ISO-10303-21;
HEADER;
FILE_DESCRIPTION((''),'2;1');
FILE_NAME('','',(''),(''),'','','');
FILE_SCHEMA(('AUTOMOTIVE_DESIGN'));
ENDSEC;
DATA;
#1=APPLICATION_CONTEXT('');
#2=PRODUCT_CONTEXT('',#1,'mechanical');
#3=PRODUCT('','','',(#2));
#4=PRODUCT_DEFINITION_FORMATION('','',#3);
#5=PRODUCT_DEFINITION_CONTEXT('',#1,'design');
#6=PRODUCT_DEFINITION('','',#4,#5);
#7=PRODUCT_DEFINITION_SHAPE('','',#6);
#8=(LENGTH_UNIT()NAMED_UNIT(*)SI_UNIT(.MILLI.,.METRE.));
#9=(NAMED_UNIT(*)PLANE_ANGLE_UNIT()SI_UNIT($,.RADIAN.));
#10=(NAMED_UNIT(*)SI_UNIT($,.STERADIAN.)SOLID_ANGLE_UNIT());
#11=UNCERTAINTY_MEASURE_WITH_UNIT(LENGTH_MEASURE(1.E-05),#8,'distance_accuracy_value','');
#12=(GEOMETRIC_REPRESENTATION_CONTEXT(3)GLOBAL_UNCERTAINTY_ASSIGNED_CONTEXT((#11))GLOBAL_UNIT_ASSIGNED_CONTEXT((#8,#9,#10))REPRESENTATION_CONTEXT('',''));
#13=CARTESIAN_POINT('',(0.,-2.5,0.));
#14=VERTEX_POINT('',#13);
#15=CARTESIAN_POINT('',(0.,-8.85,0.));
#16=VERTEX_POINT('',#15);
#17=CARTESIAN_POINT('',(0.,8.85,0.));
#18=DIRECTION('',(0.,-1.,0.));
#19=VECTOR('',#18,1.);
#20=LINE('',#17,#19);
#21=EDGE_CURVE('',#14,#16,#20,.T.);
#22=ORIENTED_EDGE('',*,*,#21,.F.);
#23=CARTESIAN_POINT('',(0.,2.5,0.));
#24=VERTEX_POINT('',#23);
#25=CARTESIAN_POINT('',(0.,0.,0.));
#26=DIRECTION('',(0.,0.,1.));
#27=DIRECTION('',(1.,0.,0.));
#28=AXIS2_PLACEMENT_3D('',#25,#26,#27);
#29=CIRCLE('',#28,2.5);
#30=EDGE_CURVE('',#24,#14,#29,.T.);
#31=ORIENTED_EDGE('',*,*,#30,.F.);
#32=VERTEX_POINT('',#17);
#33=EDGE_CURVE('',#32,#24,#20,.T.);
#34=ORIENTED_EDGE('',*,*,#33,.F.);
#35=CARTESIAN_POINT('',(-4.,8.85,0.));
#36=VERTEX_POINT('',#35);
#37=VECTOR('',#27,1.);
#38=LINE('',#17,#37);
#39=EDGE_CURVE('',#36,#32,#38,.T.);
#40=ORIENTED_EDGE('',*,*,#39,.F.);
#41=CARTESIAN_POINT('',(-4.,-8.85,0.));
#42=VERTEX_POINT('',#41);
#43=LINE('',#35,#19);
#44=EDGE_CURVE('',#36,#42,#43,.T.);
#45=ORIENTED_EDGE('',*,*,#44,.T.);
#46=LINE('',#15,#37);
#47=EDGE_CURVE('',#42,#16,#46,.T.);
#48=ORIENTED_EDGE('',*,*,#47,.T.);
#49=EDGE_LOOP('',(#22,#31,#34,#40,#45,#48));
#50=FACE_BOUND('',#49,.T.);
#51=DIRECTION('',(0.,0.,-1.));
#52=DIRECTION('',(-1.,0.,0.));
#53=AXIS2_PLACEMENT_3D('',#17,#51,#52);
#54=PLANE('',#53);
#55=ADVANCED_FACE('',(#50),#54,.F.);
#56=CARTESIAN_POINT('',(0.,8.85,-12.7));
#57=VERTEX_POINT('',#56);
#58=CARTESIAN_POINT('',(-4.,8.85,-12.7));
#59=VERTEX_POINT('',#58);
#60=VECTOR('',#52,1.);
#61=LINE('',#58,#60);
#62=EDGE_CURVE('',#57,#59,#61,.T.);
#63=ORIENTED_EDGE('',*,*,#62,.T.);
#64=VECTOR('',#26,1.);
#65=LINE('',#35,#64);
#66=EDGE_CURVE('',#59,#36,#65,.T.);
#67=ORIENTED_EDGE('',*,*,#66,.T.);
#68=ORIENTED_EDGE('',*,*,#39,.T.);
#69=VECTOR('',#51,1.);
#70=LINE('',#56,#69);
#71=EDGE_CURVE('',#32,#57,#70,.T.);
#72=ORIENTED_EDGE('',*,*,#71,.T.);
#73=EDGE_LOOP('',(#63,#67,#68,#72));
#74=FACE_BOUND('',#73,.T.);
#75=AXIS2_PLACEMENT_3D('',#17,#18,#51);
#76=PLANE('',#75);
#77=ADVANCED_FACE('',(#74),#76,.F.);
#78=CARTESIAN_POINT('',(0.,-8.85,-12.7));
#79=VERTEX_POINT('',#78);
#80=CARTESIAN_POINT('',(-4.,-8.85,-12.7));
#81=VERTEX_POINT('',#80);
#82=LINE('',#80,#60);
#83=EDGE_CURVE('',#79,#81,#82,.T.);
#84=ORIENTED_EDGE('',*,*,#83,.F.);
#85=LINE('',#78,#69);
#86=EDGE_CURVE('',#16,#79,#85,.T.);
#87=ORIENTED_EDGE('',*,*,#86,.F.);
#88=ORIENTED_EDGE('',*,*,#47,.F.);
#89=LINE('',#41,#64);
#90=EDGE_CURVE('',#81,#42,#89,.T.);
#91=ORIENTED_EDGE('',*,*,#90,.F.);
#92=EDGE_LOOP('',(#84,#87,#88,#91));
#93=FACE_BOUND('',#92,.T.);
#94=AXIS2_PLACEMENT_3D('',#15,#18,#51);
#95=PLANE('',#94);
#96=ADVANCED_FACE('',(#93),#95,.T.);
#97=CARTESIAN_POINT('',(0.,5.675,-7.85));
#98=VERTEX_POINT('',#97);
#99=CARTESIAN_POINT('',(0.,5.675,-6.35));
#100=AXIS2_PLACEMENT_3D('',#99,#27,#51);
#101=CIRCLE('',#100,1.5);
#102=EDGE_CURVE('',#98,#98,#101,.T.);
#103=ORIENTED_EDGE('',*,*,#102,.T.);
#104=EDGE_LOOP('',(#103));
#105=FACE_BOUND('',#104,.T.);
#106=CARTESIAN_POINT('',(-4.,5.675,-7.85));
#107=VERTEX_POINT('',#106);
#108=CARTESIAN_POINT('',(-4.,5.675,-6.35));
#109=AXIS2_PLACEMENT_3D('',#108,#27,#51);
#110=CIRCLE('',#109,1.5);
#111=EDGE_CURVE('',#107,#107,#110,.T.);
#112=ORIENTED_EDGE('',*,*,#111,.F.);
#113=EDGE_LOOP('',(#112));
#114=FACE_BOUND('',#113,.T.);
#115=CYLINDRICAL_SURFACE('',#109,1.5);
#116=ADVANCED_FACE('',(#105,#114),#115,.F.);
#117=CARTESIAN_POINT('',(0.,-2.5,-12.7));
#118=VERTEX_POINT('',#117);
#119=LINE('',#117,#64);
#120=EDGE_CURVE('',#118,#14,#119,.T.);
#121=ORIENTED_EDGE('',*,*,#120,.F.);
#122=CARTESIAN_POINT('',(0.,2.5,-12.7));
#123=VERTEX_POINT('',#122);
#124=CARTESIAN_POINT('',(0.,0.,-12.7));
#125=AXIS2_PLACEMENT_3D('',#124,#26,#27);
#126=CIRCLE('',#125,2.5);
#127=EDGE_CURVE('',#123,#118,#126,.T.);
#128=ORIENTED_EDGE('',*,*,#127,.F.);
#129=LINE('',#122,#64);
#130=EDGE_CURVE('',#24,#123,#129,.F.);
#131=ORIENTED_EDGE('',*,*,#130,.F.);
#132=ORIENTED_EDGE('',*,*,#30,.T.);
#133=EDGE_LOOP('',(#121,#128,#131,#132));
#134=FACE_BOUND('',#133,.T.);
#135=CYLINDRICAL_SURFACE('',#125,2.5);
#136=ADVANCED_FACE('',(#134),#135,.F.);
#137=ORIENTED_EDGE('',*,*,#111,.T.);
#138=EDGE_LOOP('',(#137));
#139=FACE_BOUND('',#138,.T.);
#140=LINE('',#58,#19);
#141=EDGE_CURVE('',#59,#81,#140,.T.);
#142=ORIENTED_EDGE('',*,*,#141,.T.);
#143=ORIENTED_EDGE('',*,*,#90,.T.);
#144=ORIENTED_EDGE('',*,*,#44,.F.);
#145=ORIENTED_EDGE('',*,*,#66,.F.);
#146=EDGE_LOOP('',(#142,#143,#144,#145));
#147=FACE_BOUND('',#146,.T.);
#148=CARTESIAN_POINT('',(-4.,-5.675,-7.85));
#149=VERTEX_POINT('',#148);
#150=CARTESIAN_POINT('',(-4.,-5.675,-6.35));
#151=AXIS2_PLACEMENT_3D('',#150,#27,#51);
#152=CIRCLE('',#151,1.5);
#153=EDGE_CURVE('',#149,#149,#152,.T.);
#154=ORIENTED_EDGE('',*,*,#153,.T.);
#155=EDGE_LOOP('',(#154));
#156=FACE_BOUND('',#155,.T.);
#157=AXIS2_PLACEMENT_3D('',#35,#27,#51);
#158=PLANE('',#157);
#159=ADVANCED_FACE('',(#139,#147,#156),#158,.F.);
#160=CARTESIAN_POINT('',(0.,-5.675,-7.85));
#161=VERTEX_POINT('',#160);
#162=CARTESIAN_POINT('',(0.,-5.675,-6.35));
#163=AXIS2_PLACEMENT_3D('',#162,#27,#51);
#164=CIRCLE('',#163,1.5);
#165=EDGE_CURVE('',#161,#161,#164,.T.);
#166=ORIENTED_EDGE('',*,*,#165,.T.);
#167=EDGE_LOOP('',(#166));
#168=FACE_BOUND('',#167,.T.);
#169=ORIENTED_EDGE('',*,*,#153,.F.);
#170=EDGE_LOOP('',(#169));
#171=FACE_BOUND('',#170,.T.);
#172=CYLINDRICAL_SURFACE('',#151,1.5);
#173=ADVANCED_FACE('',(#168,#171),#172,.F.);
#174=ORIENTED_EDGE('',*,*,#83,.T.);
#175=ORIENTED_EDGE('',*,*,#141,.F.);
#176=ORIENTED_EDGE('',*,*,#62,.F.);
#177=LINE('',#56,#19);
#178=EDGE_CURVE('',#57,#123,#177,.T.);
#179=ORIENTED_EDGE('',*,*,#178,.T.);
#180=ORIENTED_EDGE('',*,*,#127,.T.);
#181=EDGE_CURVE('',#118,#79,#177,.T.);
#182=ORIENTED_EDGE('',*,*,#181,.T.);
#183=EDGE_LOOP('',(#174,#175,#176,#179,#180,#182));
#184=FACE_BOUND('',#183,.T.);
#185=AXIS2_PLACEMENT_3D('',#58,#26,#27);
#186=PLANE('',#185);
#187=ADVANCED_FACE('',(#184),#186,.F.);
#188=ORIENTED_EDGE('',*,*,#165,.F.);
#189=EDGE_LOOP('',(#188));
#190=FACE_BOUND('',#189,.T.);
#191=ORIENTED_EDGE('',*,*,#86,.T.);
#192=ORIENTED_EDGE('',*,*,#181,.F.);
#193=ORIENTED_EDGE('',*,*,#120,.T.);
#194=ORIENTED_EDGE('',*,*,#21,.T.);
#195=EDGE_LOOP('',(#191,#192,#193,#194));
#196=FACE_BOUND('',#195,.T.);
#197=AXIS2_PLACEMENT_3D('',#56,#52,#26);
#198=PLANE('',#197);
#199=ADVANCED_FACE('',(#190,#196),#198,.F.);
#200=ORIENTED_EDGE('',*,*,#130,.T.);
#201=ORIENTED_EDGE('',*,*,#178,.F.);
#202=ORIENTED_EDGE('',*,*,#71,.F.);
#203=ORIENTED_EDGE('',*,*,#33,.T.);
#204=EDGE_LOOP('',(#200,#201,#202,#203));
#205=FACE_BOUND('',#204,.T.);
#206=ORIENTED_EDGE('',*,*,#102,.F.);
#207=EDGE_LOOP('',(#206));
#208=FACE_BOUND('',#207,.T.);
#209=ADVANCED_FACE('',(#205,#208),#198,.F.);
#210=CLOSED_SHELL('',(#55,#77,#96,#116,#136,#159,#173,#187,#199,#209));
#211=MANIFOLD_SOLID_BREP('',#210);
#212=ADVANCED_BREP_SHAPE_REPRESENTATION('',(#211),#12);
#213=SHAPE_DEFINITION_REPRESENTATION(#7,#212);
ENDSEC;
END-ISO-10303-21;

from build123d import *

# Parameters (mm, degrees)
SKETCH1_W           = 4
SKETCH1_H           = 12.7
BOSS_EXTRUDE1_DEPTH = 8.85
SKETCH2_R           = 2.5
CUT_EXTRUDE1_DEPTH  = 16.987886039
SKETCH3_R           = 1.5
CUT_EXTRUDE2_DEPTH  = 16.987886039


with BuildPart() as part:
    # Sketch1 → Boss-Extrude1 (new, symmetric)
    with BuildSketch(Plane(origin=(0, 0, 0), x_dir=(1, 0, 0), z_dir=(0, 1, 0))):
        with Locations((-2, 6.35)):
            Rectangle(SKETCH1_W, SKETCH1_H)
    extrude(amount=BOSS_EXTRUDE1_DEPTH, both=True)

    # Sketch2 → Cut-Extrude1 (cut, through all)
    with BuildSketch(Plane.XY):
        Circle(SKETCH2_R)
    extrude(amount=-CUT_EXTRUDE1_DEPTH, mode=Mode.SUBTRACT)

    # Sketch3 → Cut-Extrude2 (cut, through all)
    with BuildSketch(Plane(origin=(0, 0, 0), x_dir=(0, 0, -1), z_dir=(1, 0, 0))):
        with Locations((6.35, 5.675)):
            Circle(SKETCH3_R)
        with Locations((6.35, -5.675)):
            Circle(SKETCH3_R)
    extrude(amount=-CUT_EXTRUDE2_DEPTH, mode=Mode.SUBTRACT)


solid = part.part
